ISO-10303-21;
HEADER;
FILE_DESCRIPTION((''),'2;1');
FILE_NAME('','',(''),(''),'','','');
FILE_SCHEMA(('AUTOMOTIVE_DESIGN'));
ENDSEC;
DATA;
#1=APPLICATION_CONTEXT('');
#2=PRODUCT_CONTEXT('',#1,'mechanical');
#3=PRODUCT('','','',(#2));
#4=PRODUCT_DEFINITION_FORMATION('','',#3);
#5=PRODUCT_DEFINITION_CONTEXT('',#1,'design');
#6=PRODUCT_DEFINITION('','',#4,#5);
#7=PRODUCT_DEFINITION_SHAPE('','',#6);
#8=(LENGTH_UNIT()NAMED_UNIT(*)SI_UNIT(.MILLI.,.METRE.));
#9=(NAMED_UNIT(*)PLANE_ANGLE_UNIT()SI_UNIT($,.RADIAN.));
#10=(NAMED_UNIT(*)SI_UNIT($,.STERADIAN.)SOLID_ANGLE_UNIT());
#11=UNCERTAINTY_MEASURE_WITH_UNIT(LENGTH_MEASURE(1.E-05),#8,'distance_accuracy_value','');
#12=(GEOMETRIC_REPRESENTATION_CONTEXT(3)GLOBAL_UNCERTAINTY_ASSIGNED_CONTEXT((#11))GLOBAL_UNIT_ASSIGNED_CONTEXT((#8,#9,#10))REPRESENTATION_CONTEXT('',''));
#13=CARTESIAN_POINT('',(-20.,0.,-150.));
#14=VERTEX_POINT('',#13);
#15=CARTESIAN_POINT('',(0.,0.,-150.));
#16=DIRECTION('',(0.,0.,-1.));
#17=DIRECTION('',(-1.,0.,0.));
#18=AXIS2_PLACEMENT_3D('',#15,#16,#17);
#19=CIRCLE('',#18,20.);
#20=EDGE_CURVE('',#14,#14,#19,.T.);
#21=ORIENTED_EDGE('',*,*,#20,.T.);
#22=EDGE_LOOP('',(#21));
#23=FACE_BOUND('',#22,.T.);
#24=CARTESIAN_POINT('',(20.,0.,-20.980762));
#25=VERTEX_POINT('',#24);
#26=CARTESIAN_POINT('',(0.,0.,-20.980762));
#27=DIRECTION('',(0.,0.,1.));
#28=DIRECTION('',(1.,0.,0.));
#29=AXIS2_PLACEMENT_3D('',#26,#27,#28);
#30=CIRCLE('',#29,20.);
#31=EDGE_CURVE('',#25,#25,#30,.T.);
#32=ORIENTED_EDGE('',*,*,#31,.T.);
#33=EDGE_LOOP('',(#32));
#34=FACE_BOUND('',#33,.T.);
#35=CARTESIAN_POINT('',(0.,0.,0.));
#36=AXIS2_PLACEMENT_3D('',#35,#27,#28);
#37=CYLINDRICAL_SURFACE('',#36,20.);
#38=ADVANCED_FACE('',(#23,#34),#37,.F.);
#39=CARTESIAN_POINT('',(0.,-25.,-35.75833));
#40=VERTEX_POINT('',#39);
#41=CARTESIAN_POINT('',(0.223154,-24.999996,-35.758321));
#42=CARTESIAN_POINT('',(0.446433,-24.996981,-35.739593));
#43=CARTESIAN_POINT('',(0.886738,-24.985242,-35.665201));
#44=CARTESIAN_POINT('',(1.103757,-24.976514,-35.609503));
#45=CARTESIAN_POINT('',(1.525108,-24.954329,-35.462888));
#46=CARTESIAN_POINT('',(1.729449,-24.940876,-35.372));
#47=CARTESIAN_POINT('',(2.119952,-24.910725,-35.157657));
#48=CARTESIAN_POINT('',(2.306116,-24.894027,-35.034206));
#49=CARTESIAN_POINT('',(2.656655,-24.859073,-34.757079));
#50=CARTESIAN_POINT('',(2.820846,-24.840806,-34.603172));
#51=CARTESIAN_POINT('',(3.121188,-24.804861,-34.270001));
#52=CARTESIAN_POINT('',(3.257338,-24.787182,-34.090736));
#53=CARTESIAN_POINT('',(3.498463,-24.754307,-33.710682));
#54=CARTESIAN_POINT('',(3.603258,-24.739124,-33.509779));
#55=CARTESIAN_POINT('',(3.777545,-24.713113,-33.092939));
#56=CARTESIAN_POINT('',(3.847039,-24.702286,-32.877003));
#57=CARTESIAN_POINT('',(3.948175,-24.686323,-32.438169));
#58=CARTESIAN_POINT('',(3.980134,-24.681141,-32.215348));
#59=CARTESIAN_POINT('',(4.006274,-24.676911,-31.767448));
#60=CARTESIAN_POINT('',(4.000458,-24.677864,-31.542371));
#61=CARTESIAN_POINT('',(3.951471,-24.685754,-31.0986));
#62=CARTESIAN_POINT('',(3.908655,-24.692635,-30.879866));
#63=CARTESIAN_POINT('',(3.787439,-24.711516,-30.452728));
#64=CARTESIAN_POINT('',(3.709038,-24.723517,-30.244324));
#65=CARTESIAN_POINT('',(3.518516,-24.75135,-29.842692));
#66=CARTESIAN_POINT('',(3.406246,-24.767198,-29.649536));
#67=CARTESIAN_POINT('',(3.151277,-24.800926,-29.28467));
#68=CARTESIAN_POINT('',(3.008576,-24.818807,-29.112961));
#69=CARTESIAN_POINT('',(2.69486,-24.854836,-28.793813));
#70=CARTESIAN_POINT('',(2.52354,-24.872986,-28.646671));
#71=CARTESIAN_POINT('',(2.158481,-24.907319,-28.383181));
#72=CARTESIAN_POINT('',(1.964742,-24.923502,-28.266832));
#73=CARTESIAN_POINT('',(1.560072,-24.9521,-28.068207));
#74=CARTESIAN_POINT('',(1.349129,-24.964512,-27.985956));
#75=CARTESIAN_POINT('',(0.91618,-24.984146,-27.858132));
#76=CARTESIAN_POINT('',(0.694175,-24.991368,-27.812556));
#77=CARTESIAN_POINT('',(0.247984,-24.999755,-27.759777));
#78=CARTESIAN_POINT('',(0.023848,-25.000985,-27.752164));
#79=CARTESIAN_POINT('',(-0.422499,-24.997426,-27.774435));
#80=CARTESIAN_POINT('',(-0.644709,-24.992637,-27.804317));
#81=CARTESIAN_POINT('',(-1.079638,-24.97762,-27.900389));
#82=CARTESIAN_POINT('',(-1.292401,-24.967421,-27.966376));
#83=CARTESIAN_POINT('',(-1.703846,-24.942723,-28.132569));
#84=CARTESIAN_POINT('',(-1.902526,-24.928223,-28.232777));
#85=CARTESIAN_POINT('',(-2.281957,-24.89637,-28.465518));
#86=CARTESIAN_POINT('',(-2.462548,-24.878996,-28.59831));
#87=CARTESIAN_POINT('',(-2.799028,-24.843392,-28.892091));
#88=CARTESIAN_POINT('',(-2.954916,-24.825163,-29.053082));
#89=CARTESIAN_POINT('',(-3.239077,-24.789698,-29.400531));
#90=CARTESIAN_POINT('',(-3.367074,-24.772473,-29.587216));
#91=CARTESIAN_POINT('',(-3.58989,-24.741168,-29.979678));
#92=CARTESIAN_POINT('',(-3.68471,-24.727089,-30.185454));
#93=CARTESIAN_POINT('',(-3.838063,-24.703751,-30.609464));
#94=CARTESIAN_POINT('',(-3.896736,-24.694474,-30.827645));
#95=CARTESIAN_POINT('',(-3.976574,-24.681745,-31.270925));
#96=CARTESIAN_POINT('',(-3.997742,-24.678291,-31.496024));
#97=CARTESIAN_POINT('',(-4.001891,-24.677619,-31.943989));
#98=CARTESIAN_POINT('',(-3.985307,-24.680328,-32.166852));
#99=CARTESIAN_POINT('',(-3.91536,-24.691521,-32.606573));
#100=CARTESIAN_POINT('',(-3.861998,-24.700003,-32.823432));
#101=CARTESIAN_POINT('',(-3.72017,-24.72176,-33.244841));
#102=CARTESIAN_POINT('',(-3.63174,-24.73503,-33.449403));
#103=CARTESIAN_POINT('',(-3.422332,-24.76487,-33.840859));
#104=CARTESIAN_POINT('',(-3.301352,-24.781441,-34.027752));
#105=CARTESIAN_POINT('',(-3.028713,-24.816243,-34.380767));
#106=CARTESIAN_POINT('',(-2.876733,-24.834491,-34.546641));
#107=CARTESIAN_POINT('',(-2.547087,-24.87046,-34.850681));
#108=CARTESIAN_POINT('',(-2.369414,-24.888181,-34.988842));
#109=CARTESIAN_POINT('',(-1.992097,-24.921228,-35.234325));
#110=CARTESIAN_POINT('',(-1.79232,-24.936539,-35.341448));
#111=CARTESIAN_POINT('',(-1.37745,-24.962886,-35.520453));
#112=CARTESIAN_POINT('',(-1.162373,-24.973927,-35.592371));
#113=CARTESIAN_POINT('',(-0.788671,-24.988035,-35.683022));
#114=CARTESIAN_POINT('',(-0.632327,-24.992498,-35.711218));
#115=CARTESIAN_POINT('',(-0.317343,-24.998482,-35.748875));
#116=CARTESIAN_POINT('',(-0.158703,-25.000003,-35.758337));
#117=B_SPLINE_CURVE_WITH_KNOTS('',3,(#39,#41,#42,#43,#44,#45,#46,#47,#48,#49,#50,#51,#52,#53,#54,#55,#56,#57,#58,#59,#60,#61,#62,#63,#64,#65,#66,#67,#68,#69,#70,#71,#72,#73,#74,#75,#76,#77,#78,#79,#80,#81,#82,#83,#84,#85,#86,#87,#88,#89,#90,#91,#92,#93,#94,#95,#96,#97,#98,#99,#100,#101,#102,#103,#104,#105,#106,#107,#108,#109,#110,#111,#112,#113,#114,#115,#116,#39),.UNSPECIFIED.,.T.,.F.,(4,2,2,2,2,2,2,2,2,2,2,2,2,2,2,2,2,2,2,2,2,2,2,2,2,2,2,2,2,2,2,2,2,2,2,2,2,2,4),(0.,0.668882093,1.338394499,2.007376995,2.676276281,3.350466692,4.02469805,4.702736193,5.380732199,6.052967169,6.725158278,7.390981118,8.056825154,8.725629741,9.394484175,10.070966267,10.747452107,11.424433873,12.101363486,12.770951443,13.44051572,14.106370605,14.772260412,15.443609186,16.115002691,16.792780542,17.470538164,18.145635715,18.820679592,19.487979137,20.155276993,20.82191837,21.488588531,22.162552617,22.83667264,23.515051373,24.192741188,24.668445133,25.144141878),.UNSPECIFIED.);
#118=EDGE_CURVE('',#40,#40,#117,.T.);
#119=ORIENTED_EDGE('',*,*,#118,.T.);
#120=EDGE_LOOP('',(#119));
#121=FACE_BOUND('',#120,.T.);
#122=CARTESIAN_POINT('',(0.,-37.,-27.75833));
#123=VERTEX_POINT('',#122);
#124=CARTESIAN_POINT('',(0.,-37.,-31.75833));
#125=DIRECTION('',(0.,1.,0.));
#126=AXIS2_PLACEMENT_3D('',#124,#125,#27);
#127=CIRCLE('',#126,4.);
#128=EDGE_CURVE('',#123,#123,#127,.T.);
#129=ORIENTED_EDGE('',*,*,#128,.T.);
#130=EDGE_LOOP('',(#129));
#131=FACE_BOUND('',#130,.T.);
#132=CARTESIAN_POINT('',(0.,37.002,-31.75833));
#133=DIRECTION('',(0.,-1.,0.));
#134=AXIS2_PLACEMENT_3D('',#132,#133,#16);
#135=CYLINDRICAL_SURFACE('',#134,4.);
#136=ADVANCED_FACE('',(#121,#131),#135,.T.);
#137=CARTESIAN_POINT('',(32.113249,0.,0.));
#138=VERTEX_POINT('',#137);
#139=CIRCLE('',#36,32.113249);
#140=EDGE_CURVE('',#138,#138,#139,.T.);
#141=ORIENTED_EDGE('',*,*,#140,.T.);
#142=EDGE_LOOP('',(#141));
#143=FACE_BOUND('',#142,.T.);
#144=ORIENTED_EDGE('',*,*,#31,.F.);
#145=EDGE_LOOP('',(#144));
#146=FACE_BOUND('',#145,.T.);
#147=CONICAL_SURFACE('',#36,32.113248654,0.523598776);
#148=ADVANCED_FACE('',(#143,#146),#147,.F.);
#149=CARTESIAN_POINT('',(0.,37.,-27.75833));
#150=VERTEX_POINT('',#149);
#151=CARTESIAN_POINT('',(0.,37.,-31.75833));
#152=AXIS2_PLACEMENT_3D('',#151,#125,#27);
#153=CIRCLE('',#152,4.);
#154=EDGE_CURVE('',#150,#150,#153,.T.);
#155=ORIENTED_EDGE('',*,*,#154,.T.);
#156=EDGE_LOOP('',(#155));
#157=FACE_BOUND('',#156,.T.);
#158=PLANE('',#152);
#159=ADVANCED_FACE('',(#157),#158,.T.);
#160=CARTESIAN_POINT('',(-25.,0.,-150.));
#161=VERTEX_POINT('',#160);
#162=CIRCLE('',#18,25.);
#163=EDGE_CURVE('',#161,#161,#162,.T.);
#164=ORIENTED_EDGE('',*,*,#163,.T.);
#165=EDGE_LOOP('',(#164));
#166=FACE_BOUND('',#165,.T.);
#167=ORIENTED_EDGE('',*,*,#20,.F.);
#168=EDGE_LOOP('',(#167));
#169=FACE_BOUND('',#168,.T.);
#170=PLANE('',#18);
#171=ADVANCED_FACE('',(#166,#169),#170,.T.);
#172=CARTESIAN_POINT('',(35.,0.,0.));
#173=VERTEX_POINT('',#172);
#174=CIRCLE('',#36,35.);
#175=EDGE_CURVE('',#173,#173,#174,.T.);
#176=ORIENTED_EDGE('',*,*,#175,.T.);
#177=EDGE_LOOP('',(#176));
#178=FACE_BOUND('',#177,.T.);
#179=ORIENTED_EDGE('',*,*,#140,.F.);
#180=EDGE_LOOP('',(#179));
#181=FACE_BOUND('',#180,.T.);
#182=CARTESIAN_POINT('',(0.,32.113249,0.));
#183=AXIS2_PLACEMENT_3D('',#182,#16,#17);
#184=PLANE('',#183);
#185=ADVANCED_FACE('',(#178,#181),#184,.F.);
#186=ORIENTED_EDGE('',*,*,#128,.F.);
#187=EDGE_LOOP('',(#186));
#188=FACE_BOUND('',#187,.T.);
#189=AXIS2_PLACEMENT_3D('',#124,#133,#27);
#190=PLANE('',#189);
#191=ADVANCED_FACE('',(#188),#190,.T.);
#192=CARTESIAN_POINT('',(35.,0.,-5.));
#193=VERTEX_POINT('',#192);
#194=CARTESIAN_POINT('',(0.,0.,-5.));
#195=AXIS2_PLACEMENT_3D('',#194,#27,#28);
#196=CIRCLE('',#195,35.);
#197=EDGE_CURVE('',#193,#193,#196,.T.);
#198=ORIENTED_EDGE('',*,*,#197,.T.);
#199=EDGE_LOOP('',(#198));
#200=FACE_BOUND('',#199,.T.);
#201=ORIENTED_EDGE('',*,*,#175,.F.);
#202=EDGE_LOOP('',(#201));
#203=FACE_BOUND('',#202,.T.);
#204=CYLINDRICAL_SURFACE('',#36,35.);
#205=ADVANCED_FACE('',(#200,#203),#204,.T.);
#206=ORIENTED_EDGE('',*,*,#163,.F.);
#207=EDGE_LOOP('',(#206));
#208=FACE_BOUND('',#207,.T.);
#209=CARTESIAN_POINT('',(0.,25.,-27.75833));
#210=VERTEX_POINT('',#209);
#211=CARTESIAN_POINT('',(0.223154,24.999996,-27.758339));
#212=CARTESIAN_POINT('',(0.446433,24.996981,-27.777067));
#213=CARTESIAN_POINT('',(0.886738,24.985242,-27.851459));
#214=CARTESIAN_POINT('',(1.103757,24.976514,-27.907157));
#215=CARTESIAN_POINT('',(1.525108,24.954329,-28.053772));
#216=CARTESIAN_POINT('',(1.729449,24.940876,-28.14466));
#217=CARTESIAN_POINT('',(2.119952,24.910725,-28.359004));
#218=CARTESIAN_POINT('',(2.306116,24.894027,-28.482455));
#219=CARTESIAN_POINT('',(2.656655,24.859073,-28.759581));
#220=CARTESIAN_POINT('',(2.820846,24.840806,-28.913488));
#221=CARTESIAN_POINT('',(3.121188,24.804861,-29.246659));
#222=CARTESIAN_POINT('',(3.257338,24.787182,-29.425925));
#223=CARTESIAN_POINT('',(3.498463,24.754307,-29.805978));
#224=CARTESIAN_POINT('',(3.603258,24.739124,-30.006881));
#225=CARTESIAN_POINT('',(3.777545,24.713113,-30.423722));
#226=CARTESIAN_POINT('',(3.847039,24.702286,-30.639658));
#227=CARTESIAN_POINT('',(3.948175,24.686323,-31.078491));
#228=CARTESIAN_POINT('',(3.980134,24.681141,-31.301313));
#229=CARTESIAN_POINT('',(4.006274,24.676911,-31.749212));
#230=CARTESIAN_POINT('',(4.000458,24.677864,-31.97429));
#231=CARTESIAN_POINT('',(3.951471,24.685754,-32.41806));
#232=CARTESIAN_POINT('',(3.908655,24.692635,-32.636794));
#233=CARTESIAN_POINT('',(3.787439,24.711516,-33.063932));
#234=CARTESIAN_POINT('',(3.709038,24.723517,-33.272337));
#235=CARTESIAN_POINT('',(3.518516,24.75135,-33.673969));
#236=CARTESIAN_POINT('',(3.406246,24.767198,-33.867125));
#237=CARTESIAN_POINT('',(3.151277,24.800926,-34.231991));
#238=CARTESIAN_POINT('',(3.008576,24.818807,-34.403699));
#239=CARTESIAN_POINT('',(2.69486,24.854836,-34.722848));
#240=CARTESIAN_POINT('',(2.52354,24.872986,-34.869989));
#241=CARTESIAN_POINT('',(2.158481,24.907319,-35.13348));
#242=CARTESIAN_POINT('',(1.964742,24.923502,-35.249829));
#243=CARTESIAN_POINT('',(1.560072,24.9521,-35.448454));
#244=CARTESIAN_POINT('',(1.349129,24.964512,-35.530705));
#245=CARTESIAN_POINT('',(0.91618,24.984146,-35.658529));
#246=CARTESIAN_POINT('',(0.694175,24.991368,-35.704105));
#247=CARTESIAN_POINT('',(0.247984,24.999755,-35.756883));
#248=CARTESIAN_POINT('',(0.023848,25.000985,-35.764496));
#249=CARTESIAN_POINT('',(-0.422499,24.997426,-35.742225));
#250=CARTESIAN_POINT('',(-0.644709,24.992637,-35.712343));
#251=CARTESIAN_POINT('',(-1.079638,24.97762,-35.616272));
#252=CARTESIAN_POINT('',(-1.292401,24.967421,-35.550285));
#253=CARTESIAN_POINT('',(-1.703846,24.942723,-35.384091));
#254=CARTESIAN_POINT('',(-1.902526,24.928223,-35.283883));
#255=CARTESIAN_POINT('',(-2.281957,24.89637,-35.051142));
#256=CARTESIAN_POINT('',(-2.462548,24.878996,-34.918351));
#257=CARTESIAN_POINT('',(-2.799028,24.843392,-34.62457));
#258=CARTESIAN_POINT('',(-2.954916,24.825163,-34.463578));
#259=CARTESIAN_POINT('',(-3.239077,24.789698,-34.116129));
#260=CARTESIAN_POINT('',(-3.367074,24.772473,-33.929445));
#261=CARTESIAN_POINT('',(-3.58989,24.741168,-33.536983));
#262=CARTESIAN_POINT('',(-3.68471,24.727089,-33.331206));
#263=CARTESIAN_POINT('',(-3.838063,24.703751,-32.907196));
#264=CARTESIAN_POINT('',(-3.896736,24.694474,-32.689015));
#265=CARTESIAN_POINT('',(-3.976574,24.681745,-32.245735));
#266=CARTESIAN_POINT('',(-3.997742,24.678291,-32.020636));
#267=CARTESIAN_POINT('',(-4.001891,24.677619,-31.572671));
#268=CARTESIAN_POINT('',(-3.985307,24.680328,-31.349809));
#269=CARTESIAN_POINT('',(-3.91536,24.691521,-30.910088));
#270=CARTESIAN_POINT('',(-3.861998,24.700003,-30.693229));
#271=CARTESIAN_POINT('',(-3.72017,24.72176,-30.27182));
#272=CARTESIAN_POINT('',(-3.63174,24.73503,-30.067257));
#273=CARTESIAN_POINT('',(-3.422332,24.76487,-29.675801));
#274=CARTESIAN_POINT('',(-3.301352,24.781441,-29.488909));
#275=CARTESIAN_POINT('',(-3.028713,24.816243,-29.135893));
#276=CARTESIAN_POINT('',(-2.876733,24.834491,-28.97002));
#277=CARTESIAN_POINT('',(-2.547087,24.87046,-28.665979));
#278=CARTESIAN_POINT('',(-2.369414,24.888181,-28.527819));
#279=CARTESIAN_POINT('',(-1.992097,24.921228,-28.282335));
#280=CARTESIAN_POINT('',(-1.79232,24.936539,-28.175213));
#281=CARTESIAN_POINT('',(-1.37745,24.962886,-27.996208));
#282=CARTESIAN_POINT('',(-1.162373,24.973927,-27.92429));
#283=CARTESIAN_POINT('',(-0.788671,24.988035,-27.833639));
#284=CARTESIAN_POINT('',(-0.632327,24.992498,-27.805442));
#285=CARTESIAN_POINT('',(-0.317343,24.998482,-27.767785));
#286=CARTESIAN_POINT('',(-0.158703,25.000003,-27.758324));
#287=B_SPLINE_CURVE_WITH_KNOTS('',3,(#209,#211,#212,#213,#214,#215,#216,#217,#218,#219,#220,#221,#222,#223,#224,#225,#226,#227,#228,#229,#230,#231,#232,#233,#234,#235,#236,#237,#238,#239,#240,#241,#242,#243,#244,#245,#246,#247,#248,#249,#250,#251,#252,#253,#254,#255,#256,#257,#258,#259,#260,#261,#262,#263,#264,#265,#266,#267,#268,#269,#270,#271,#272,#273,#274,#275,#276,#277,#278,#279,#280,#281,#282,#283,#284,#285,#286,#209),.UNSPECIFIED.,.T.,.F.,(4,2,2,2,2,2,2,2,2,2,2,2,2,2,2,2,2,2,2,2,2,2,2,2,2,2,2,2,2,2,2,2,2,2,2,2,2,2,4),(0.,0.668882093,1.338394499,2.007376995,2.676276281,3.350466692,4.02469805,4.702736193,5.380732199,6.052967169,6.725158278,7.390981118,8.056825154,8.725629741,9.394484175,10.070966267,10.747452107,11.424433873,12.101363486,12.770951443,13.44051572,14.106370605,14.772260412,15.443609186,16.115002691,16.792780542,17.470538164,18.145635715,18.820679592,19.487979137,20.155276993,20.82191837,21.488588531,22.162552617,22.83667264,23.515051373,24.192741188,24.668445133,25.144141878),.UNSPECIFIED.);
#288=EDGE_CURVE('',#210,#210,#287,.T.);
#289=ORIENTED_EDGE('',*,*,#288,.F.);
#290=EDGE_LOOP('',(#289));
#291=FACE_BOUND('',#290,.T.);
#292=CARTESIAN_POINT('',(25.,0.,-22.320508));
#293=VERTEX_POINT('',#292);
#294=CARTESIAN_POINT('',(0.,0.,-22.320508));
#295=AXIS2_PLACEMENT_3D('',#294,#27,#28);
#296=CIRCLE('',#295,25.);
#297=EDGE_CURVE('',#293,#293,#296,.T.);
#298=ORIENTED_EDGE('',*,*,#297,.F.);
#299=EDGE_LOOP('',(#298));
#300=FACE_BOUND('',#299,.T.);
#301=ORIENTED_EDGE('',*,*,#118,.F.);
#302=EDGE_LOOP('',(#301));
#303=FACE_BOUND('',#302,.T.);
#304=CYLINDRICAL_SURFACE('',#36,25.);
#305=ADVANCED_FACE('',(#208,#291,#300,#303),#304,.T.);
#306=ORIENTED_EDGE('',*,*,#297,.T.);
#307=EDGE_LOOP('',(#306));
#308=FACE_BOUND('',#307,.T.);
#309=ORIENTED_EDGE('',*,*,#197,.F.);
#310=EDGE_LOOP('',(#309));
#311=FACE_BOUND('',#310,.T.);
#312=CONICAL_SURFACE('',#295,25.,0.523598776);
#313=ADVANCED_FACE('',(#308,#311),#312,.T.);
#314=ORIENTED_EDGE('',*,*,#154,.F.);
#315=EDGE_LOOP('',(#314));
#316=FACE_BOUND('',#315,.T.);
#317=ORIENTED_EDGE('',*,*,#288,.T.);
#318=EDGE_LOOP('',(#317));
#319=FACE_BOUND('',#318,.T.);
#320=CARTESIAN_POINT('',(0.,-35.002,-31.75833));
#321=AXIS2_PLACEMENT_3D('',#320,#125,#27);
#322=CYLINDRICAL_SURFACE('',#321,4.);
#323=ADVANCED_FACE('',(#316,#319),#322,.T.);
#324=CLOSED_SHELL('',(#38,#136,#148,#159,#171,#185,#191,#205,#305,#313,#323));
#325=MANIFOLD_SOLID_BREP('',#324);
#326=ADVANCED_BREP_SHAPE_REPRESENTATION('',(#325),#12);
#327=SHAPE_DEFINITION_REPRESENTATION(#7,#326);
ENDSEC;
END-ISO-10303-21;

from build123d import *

# Parameters (mm, degrees)
BOSS_EXTRUDE1_REACH      = 130.098
BOSS_EXTRUDE1_END_RADIUS = 25
SKETCH2_R                = 4
SKETCH3_R                = 25
SKETCH3_R_2              = 20
BOSS_EXTRUDE2_DEPTH      = 50


with BuildPart() as part:
    # Sketch1 → Revolve1 (revolve)
    with BuildSketch(Plane(origin=(0, 0, 0), x_dir=(0, 0, -1), z_dir=(1, 0, 0)), mode=Mode.PRIVATE) as revolve1_sk:
        Polygon((22.320508076, 25), (100, 25), (100, 20), (20.980762114, 20), (0, 32.113248654), (0, 35), (5, 35), align=None)
    revolve(revolve1_sk.sketch.rotate(Axis((0, 0, 0), (0, 0, -1)), 90), axis=Axis((0, 0, 0), (0, 0, -1)))

    # Boss-Extrude1: up to this cylinder (the profile starts outside it)
    boss_extrude1_end = Plane(origin=(0, 0, -31.75833), z_dir=(0, 0, 1)) * Cylinder(BOSS_EXTRUDE1_END_RADIUS, 311.196, mode=Mode.PRIVATE)
    # Sketch2 → Boss-Extrude1 (add, up to the surface)
    with BuildSketch(Plane(origin=(0, 37, 0), x_dir=(1, 0, 0), z_dir=(0, 1, 0)), mode=Mode.PRIVATE) as boss_extrude1_sk1:
        with Locations(Location((0, 31.758330249, 0), (0, 0, 270))):
            Circle(SKETCH2_R)
    boss_extrude1_tool1 = extrude(boss_extrude1_sk1.sketch, amount=-BOSS_EXTRUDE1_REACH, mode=Mode.PRIVATE) - boss_extrude1_end
    boss_extrude1 = boss_extrude1_tool1.solids().sort_by_distance((0, 37, -31.75833))[0]
    add(boss_extrude1)

    # Mirror1: Boss-Extrude1 across plane
    add(boss_extrude1.mirror(Plane.ZX))

    # Sketch3 → Boss-Extrude2 (add)
    with BuildSketch(Plane(origin=(0, 0, -100), x_dir=(-1, 0, 0), z_dir=(0, 0, -1))):
        with Locations(Location((0, 0, 0), (0, 0, 180))):
            Circle(SKETCH3_R)
        with Locations(Location((0, 0, 0), (0, 0, 180))):
            Circle(SKETCH3_R_2, mode=Mode.SUBTRACT)
    extrude(amount=BOSS_EXTRUDE2_DEPTH)


solid = part.part
